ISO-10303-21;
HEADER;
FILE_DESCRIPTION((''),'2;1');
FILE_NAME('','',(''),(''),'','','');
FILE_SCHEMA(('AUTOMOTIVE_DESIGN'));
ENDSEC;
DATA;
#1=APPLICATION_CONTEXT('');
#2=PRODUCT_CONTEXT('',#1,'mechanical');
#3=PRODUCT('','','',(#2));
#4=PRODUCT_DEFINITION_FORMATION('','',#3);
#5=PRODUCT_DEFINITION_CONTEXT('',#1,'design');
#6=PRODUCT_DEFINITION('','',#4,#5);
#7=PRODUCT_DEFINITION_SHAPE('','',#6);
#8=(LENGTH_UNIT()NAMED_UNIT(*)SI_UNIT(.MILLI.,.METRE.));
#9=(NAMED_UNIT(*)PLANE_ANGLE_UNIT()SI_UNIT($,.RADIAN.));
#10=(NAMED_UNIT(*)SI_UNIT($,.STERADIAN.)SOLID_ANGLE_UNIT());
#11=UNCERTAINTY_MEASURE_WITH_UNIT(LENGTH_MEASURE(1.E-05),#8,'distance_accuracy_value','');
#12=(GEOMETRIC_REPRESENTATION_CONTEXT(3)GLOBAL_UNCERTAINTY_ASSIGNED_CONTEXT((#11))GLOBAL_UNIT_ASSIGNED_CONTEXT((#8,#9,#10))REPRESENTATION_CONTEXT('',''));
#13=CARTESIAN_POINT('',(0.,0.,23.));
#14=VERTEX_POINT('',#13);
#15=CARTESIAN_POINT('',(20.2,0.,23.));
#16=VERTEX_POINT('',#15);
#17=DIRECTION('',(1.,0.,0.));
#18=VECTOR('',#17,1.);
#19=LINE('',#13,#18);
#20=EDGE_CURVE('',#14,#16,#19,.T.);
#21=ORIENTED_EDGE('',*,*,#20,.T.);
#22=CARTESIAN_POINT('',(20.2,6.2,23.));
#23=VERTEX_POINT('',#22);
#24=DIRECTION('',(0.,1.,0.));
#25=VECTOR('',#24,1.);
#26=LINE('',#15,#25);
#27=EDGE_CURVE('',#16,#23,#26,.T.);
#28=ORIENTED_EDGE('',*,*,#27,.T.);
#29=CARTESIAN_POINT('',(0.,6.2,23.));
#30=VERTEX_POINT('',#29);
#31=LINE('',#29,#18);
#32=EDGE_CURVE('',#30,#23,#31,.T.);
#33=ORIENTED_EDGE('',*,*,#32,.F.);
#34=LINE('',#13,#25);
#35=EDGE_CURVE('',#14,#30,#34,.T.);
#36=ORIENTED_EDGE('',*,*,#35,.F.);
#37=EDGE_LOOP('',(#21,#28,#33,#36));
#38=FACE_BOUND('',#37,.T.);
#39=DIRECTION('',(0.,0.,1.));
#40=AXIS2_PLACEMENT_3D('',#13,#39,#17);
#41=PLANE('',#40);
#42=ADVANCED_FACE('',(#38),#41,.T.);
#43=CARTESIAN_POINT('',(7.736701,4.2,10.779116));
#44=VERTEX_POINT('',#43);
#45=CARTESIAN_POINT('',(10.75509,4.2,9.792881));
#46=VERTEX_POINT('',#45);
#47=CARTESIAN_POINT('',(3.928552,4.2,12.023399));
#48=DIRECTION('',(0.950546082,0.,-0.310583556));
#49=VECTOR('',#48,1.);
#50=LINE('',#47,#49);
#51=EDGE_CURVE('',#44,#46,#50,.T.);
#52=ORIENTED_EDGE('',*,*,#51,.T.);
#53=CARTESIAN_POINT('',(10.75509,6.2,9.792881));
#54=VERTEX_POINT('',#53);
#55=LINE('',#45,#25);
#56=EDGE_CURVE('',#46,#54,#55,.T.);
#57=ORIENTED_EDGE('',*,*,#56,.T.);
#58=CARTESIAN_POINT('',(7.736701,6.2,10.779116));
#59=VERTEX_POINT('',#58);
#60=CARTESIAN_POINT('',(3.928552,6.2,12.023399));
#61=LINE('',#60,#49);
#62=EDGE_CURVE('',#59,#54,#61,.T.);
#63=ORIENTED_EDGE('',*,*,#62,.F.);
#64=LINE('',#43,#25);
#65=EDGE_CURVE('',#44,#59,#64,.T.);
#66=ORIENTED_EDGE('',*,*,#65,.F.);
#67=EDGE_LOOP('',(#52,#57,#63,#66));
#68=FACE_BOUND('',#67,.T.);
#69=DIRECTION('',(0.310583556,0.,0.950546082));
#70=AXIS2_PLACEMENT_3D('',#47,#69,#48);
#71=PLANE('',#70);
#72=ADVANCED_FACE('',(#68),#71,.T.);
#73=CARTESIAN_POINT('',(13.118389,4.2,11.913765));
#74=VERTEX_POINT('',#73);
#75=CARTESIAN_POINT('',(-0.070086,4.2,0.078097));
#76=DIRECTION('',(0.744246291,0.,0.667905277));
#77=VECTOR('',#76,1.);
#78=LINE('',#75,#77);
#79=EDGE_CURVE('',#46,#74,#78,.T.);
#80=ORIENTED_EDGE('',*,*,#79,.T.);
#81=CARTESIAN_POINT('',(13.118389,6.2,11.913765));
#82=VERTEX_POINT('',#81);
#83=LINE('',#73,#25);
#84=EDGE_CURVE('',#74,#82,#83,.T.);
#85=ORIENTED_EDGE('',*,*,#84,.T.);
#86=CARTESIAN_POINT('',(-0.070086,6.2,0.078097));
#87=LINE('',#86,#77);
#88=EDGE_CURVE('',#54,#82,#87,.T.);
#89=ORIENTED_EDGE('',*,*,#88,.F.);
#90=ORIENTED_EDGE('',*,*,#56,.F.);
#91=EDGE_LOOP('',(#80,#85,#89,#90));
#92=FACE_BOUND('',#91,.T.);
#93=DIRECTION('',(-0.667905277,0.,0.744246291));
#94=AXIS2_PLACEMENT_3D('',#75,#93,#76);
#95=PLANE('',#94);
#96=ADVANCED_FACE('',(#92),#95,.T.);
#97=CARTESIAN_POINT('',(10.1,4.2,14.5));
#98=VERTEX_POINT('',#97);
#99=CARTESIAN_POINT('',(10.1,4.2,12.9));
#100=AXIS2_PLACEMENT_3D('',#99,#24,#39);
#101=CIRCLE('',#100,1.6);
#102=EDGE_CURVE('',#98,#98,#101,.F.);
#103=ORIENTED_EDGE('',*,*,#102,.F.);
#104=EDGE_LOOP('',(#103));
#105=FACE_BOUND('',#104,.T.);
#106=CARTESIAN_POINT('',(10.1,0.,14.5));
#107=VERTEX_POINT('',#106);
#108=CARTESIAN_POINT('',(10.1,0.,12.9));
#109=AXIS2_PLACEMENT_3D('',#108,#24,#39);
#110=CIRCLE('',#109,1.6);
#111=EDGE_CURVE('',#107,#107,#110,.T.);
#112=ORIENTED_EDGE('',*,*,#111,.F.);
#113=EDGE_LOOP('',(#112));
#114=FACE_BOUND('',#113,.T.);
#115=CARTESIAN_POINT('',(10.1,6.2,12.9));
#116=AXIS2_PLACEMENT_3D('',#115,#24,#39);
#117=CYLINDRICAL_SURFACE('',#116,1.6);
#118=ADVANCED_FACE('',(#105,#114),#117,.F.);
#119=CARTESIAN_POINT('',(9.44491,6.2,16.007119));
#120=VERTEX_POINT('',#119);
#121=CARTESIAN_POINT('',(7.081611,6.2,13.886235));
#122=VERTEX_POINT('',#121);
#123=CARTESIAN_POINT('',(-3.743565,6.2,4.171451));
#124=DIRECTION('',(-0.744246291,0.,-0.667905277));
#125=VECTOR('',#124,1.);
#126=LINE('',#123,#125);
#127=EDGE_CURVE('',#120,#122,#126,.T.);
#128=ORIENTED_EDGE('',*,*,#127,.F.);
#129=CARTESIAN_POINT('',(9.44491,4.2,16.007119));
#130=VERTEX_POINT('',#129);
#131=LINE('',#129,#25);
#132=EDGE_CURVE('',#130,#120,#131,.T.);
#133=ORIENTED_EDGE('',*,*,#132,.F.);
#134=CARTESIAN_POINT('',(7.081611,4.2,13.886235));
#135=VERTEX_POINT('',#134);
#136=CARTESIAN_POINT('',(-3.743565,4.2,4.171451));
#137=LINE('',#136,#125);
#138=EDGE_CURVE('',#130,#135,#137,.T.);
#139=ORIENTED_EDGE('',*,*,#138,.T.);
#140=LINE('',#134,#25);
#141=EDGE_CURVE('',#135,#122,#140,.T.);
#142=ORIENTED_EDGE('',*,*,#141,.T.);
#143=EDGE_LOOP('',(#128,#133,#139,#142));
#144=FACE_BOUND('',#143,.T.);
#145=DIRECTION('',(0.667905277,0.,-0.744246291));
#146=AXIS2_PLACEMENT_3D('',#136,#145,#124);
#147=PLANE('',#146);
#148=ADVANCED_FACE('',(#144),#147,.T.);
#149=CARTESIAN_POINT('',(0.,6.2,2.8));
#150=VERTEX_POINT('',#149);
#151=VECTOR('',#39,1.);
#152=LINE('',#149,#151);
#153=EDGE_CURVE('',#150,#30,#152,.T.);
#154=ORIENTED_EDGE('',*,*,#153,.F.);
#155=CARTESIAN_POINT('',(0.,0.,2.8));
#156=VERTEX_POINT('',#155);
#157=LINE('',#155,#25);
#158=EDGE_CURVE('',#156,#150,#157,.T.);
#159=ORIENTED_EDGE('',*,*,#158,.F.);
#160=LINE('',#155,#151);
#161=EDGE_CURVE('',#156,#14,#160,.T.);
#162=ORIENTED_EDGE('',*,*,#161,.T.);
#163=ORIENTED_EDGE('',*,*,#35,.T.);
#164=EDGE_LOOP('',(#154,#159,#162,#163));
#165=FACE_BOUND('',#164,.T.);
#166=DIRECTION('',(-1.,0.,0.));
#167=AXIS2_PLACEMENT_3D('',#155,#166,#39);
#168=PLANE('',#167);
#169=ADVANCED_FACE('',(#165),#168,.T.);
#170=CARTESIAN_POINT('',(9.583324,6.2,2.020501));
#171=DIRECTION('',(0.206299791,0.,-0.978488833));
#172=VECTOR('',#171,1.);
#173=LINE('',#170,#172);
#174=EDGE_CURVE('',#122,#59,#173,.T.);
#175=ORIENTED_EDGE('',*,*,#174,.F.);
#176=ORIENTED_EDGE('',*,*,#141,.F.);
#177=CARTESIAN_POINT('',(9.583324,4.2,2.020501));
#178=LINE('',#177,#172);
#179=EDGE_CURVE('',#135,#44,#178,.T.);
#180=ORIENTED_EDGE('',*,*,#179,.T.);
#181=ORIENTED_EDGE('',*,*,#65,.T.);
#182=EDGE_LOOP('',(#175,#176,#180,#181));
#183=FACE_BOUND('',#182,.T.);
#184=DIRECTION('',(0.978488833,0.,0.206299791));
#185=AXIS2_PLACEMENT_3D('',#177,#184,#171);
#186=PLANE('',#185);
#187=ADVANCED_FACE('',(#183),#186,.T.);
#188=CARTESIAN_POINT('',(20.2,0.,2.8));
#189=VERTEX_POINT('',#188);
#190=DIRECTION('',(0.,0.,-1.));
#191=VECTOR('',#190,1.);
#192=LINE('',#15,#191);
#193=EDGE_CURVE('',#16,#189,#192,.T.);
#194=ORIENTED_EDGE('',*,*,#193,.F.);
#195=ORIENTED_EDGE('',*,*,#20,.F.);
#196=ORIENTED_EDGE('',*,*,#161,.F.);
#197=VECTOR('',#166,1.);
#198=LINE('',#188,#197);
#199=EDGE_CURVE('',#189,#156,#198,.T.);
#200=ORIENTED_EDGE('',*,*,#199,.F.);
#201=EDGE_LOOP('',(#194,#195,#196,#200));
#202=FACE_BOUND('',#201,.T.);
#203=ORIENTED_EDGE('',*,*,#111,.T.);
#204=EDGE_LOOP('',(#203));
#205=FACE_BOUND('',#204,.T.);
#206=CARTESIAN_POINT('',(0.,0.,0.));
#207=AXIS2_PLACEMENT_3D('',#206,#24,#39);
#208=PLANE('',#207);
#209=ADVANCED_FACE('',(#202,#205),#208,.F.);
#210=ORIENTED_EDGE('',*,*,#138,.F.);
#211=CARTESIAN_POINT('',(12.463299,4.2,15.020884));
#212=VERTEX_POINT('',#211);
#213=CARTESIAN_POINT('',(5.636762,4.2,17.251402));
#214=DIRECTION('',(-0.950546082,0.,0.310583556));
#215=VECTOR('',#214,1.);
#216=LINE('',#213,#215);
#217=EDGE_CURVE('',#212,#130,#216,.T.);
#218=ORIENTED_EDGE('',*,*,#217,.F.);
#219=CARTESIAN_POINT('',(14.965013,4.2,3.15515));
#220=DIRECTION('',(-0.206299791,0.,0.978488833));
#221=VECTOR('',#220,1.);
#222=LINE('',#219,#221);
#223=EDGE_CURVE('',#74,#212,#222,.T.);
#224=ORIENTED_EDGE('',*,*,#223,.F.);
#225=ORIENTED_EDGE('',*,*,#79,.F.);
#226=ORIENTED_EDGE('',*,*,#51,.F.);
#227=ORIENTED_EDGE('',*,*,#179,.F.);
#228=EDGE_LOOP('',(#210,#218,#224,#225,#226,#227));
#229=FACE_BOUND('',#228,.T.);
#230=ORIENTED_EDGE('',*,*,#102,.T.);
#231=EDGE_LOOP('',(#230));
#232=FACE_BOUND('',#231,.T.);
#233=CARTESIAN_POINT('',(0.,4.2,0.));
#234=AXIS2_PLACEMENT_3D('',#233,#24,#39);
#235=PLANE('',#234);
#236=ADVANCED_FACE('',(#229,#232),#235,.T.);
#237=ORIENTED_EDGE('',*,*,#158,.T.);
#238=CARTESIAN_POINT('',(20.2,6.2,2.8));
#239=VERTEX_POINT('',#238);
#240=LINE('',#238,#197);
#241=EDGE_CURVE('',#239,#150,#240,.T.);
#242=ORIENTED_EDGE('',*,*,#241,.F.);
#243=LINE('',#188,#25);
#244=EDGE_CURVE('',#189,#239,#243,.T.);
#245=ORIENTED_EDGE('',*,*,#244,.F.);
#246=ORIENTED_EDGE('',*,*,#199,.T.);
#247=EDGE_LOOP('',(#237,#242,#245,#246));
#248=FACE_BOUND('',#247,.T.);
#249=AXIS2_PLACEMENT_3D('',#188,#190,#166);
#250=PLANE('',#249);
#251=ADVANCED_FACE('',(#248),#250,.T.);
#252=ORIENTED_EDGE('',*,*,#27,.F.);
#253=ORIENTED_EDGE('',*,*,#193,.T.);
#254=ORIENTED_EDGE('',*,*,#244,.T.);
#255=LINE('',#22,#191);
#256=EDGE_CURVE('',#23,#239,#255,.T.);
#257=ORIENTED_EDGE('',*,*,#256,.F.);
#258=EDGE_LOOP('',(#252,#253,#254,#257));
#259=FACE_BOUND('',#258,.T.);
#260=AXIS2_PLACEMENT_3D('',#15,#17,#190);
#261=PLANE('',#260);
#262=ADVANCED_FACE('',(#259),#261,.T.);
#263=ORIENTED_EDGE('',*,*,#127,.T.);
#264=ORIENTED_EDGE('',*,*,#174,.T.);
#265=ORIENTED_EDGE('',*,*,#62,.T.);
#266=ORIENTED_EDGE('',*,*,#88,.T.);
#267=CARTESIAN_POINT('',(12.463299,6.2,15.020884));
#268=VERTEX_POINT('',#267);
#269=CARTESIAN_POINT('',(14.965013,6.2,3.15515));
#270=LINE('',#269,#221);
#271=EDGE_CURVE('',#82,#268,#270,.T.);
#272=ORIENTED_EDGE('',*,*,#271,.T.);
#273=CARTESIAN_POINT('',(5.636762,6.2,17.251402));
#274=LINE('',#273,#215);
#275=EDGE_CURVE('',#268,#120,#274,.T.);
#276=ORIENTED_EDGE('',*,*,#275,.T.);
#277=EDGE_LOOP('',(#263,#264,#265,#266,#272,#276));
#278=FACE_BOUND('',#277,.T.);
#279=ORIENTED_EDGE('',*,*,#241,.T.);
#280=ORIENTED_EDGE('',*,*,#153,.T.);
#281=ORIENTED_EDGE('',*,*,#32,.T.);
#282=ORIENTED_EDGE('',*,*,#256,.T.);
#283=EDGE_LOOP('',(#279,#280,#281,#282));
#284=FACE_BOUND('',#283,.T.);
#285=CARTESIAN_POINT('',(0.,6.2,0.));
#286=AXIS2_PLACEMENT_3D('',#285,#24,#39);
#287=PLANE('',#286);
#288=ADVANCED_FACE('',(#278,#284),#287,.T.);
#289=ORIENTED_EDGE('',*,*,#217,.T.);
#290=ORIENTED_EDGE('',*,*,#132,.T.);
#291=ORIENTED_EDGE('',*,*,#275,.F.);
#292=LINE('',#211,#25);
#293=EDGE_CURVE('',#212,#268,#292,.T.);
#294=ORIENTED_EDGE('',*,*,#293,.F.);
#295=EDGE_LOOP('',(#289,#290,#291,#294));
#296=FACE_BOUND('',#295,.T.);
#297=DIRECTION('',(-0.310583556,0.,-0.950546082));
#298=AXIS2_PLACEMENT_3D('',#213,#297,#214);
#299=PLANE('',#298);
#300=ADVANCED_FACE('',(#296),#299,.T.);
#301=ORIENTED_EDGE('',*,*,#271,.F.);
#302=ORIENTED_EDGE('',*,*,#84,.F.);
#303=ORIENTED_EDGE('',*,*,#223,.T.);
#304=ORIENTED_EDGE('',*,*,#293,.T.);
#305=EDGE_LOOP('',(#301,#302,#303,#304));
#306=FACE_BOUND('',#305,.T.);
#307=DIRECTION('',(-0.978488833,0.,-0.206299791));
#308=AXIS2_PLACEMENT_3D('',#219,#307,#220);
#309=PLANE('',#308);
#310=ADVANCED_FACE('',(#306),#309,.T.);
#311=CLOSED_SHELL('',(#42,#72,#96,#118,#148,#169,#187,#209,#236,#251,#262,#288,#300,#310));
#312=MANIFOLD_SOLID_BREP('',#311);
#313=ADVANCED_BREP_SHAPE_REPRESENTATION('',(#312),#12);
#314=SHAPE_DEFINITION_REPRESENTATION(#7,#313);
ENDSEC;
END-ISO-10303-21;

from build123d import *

# Parameters (mm, degrees)
SKETCH1_W                  = 20.2
SKETCH1_H                  = 20.2
BOSS_EXTRUDE1_DEPTH        = 6.2
F_3_2_3_2_DIAMETER_HOLE1_D = 3.2
CUT_EXTRUDE1_START         = -2
SKETCH4_R                  = 1.6
CUT_EXTRUDE1_DEPTH         = 2


with BuildPart() as part:
    # Sketch1 → Boss-Extrude1 (new body)
    with BuildSketch(Plane(origin=(0, 6.2, 0), x_dir=(1, 0, 0), z_dir=(0, 1, 0))):
        with Locations((10.1, -12.9)):
            Rectangle(SKETCH1_W, SKETCH1_H)
    extrude(amount=-BOSS_EXTRUDE1_DEPTH)

    # Ø3.2 (3.2) Diameter Hole1 (through all)
    with Locations(Plane(origin=(0, 6.2, 0), x_dir=(1, 0, 0), z_dir=(0, 1, 0))):
        with Locations((10.1, -12.9)):
            Hole(F_3_2_3_2_DIAMETER_HOLE1_D / 2)

    # Sketch4 → Cut-Extrude1 (cut)
    with BuildSketch(Plane(origin=(0, 6.2, 0), x_dir=(1, 0, 0), z_dir=(0, 1, 0)).offset(CUT_EXTRUDE1_START)):
        Polygon((7.73670062, -10.779115898), (10.75508982, -9.792880649), (13.118389201, -11.913764751), (12.46329938, -15.020884102), (9.44491018, -16.007119351), (7.081610799, -13.886235249), align=None)
        with Locations(Location((10.1, -12.9, 0), (0, 0, 270))):
            Circle(SKETCH4_R, mode=Mode.SUBTRACT)
    extrude(amount=CUT_EXTRUDE1_DEPTH, mode=Mode.SUBTRACT)


solid = part.part
